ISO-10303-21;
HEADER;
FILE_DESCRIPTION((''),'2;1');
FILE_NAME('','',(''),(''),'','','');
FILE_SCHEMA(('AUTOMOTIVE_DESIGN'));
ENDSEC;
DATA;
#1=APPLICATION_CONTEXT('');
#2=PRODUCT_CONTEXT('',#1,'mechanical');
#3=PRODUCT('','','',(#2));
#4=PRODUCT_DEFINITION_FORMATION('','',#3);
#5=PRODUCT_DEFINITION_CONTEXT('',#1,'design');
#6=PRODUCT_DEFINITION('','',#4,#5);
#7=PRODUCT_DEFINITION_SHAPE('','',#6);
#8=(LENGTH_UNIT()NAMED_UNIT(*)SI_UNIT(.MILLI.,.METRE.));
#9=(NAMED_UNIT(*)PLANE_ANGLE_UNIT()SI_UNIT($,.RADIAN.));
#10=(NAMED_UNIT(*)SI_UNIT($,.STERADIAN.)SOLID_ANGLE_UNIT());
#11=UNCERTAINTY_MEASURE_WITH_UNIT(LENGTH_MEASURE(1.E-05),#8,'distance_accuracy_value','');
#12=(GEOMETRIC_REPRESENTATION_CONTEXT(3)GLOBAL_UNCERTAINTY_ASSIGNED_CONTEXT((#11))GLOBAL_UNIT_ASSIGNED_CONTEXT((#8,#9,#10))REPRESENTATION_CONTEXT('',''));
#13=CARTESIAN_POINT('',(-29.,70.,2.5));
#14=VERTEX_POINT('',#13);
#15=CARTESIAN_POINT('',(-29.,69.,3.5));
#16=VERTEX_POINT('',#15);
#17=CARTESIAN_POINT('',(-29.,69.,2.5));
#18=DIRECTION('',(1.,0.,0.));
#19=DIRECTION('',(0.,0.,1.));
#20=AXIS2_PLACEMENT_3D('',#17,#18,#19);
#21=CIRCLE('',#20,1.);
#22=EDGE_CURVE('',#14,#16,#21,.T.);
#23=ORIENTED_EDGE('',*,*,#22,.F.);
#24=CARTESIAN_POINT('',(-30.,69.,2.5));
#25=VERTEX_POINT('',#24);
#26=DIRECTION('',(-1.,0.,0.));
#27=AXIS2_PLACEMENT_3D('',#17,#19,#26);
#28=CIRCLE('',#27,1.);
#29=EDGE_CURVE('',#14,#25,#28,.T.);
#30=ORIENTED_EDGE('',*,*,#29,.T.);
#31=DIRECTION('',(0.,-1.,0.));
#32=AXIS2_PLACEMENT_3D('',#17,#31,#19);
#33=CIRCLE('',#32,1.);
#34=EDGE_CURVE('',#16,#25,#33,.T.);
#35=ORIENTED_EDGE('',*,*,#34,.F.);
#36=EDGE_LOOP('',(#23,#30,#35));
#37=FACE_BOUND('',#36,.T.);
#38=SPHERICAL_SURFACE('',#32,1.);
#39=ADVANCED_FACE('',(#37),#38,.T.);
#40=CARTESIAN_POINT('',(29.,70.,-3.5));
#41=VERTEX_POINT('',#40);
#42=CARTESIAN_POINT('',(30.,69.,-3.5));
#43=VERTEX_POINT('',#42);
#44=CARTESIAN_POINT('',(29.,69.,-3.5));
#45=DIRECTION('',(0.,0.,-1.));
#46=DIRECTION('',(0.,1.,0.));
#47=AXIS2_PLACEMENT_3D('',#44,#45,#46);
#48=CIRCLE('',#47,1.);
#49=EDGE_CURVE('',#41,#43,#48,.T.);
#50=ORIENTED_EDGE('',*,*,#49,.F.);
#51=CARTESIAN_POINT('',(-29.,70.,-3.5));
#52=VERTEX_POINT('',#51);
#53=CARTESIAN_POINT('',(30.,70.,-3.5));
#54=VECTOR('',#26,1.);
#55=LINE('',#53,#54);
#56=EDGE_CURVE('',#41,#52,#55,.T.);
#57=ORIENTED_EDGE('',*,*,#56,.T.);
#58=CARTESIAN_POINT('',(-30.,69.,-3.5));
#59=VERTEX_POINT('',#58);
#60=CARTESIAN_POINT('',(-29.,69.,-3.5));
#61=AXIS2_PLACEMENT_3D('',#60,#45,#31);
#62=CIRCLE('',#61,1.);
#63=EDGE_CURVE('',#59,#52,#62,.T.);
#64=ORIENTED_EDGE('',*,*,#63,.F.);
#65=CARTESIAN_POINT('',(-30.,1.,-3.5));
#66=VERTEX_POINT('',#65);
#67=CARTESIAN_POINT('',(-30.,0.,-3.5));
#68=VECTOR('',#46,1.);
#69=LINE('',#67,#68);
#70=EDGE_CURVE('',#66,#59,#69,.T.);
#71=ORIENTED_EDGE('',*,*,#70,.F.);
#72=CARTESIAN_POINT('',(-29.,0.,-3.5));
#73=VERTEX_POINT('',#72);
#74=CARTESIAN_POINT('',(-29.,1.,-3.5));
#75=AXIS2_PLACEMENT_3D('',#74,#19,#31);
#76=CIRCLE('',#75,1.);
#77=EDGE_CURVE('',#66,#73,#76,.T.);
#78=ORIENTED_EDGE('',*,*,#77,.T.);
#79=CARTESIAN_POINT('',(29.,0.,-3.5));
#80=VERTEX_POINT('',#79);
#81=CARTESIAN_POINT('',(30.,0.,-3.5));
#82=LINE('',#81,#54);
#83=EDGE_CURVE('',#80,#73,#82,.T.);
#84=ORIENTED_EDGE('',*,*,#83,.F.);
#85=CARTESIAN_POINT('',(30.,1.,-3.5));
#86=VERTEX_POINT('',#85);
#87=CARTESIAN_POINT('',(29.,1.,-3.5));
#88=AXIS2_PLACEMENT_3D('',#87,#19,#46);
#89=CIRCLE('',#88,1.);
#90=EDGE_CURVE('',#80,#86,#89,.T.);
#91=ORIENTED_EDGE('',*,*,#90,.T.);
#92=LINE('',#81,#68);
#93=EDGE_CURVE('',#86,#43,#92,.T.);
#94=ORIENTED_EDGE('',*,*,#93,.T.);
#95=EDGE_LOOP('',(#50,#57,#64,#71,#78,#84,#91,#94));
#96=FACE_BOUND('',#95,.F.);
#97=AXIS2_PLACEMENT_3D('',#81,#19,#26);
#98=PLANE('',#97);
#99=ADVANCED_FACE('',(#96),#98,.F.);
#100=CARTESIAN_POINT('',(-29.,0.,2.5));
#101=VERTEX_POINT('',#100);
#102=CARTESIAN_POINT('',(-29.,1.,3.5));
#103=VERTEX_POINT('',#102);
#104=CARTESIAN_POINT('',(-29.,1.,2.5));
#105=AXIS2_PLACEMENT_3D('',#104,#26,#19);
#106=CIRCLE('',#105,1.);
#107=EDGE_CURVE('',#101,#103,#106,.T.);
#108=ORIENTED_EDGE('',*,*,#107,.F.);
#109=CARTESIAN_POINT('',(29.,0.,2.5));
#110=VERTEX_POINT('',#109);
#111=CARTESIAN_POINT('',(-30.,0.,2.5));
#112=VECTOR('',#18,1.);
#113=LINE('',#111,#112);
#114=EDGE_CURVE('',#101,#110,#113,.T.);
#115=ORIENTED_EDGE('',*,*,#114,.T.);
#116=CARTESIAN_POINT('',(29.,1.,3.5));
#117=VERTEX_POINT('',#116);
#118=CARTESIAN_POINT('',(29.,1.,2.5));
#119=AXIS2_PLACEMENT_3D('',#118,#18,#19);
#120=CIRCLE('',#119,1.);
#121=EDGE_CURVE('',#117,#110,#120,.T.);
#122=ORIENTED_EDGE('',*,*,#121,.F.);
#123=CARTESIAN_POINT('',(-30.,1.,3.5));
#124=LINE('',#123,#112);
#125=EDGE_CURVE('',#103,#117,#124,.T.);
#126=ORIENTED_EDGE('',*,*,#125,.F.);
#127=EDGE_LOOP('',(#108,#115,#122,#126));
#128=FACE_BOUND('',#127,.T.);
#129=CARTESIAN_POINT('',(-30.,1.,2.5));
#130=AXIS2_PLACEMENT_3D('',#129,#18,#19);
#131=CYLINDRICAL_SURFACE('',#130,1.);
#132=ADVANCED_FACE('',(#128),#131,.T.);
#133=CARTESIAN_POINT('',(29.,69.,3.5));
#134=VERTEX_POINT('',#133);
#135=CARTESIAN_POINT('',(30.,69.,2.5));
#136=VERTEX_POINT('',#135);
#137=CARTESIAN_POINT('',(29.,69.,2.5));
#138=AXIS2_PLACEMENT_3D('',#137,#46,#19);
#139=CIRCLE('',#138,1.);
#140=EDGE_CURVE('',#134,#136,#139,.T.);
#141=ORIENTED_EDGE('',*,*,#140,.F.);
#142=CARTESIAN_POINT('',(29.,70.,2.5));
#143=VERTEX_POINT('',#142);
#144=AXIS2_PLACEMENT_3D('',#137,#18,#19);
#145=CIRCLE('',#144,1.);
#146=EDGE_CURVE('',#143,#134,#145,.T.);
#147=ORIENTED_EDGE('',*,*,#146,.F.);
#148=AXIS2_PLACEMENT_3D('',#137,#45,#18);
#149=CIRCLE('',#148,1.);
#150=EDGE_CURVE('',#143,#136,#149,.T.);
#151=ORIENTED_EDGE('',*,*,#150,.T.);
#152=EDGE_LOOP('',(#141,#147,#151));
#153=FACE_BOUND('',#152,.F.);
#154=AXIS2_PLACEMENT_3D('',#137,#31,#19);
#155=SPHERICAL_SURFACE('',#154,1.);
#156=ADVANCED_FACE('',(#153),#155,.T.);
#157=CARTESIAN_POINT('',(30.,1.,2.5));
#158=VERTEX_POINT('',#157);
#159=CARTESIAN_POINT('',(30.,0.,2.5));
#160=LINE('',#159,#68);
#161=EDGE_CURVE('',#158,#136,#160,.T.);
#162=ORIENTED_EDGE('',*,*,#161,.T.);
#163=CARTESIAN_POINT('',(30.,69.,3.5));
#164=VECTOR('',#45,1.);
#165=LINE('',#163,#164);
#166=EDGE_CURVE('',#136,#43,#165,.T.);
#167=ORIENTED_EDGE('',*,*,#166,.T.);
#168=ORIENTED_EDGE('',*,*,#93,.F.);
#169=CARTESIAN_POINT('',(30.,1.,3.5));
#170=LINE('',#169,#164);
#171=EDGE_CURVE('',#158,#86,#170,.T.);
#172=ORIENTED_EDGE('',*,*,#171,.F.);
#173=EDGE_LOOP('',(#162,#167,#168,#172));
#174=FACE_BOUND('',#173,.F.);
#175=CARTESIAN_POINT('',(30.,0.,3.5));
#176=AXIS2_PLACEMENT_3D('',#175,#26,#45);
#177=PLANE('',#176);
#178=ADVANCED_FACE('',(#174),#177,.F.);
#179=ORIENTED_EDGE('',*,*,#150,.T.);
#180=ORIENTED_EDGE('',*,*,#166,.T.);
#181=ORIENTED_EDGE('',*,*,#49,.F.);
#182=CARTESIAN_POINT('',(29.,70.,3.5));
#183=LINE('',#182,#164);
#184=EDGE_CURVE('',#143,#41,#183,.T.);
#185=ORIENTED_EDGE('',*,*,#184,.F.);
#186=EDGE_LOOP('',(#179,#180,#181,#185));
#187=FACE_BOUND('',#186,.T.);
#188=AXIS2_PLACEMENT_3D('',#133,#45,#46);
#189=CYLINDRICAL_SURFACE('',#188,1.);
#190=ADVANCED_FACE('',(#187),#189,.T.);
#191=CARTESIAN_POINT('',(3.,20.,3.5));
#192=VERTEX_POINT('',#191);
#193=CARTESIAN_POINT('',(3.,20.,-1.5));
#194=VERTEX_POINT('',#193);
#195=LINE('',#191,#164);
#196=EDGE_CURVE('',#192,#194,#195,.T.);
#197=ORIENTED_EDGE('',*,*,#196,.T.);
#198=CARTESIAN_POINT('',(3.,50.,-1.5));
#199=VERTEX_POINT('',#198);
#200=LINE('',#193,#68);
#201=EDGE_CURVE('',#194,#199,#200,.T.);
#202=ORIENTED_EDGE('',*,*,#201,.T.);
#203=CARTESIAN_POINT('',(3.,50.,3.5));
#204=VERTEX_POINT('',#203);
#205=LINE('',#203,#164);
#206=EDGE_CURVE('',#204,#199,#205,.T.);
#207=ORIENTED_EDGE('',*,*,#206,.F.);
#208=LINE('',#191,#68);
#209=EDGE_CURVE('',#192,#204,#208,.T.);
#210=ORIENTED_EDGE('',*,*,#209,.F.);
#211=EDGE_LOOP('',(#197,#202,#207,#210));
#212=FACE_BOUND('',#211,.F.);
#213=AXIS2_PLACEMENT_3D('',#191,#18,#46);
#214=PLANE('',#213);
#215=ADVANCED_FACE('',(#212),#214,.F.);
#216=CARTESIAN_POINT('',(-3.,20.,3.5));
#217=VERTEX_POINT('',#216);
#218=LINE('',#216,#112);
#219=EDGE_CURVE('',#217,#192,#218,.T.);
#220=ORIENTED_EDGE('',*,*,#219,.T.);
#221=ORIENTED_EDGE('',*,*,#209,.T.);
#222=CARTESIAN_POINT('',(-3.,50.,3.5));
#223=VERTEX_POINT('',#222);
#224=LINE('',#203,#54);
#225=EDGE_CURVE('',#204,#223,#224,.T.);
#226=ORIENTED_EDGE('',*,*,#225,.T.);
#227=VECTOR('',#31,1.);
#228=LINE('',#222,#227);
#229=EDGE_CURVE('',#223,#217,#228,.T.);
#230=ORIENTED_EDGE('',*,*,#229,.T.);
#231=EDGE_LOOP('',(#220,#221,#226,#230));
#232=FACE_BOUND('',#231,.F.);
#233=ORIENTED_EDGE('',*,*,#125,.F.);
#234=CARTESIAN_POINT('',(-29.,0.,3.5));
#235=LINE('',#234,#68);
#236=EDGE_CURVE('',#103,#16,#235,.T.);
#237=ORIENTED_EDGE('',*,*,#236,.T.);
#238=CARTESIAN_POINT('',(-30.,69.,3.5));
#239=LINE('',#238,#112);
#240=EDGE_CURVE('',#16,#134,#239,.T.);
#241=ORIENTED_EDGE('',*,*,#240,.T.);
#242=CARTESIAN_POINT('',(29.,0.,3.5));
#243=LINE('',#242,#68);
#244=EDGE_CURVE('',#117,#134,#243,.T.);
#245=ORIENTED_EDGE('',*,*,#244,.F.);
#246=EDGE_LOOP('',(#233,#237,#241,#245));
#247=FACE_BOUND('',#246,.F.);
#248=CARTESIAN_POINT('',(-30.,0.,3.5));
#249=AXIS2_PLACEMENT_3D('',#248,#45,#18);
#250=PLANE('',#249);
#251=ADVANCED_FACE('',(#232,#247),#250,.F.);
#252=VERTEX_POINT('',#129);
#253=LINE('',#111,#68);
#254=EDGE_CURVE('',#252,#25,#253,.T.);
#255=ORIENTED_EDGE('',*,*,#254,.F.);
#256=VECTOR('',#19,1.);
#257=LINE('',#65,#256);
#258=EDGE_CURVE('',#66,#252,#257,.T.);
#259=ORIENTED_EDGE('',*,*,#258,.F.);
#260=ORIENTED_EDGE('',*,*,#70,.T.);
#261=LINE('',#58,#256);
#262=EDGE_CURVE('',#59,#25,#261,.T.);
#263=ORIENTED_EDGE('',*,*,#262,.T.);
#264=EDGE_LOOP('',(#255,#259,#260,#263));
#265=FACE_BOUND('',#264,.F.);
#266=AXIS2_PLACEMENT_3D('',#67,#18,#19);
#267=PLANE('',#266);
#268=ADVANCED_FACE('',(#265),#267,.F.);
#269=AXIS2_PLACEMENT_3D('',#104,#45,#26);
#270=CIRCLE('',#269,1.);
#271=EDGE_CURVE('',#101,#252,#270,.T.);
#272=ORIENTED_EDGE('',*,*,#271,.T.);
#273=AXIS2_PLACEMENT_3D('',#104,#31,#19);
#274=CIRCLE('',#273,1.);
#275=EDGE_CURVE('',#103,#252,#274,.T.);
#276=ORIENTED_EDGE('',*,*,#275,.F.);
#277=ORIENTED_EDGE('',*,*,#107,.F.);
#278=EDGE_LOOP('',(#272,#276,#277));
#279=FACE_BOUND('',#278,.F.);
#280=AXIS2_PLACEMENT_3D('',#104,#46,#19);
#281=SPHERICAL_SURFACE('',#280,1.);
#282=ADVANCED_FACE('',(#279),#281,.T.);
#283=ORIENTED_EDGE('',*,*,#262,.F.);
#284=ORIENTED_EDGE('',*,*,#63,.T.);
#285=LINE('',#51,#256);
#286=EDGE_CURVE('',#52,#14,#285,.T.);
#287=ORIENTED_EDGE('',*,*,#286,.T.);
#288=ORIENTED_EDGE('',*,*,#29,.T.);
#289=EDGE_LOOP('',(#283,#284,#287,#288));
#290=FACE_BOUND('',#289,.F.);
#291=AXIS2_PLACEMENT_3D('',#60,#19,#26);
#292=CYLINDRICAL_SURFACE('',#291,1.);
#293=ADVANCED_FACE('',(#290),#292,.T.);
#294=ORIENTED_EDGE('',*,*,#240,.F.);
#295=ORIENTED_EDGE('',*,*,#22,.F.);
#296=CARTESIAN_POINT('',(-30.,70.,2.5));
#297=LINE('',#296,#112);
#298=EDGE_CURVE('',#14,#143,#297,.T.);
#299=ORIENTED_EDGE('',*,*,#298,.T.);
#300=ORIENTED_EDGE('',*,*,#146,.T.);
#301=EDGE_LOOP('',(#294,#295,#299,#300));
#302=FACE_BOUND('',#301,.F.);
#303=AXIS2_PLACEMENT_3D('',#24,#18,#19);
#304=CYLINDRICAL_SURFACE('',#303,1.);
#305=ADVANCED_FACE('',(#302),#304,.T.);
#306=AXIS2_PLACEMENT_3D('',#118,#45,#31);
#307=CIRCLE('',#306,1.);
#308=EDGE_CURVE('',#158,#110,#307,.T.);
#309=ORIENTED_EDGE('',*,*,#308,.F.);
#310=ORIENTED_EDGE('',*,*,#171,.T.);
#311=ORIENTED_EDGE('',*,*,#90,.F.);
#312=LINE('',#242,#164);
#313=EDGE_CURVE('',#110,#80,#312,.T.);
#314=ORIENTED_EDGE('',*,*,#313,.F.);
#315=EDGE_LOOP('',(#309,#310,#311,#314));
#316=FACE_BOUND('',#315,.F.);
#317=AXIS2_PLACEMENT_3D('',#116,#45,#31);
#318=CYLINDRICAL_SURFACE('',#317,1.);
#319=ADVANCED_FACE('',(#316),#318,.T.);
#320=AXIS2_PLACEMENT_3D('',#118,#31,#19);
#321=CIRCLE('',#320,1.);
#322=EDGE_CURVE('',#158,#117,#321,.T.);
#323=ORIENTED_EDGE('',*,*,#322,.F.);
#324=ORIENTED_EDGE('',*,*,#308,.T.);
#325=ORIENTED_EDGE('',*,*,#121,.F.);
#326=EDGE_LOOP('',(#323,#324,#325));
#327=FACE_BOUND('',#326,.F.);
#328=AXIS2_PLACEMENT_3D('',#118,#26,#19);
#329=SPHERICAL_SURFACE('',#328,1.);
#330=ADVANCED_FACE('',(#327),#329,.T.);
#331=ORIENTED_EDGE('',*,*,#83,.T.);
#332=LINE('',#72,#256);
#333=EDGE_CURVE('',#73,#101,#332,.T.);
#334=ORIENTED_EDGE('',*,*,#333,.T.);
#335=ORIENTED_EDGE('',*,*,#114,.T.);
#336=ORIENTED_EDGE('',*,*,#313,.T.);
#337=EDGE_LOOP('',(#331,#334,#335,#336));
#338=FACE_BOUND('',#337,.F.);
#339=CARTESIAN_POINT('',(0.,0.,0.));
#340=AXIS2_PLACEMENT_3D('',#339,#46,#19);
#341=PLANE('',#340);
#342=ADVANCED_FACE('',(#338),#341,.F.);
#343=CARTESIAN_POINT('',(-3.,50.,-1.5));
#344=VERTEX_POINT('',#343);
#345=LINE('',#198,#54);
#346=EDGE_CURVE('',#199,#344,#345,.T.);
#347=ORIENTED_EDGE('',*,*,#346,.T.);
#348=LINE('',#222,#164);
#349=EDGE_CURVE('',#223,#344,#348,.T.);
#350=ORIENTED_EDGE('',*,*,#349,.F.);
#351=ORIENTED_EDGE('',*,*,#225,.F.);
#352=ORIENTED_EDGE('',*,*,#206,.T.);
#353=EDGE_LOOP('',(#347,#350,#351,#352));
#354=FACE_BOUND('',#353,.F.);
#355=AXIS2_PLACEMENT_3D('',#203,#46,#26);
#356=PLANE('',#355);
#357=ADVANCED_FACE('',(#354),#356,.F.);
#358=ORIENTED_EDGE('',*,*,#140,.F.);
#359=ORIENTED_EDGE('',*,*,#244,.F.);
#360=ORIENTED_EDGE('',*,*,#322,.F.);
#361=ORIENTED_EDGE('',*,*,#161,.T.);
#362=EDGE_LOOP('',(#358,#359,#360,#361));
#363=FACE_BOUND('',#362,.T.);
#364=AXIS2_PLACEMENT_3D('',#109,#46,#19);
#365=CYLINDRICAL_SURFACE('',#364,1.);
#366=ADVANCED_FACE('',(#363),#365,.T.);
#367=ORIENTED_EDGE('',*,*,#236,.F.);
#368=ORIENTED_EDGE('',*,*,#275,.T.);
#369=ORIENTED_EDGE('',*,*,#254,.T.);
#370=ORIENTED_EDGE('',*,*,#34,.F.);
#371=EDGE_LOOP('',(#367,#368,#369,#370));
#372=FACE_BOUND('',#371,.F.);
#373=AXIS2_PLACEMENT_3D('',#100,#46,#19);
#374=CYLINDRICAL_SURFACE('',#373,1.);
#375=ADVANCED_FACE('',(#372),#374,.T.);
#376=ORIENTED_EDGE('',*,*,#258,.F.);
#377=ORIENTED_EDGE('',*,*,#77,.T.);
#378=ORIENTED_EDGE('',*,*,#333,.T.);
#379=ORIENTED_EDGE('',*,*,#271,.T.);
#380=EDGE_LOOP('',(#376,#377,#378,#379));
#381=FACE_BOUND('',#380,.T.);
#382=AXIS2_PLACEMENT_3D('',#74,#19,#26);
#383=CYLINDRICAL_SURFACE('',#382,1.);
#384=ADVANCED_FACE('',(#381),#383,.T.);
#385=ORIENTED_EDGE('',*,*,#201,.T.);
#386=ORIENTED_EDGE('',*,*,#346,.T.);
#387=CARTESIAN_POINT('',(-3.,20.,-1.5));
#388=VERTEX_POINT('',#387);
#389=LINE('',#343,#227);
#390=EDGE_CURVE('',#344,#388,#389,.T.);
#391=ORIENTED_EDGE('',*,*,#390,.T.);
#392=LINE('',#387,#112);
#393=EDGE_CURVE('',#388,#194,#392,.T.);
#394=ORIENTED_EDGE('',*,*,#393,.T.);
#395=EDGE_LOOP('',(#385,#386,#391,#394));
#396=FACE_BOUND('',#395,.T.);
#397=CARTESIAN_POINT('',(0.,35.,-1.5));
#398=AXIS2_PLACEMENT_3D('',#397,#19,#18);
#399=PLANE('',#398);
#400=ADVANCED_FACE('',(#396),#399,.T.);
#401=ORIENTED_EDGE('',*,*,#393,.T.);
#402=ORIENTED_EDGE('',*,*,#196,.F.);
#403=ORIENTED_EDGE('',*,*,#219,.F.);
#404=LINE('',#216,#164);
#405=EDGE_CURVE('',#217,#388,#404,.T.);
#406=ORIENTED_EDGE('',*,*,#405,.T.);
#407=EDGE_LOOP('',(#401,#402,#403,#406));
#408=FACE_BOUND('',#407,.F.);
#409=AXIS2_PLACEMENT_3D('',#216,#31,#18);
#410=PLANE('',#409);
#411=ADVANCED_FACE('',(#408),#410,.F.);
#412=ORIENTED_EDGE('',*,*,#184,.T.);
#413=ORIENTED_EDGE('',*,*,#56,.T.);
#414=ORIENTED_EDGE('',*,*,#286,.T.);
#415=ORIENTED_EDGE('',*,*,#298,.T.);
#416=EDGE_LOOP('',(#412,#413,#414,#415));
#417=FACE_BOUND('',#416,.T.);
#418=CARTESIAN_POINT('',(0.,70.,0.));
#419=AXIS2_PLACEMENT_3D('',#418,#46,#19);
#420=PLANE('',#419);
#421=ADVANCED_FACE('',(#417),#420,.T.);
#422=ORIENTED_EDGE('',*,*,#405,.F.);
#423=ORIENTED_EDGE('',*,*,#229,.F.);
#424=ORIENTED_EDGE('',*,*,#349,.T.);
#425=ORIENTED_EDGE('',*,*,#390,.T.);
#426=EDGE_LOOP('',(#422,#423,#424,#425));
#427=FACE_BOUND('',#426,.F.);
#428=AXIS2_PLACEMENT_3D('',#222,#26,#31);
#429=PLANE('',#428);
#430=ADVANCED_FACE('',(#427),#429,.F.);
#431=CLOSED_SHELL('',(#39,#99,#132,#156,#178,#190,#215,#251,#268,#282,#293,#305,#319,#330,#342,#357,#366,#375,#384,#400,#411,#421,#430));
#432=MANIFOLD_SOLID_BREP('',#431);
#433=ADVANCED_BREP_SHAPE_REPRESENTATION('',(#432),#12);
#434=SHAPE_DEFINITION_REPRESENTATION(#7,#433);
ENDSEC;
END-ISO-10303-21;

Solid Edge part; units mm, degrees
sketch "Sketch1" plane through (0, 0, 0) normal (0, -1, 0) x (1, 0, 0)
  line L0 (-30, 3.5) -> (30, 3.5)
  line L1 (30, 3.5) -> (30, -3.5)
  line L2 (30, -3.5) -> (-30, -3.5)
  line L3 (-30, -3.5) -> (-30, 3.5)
  dimension "D1" = 60
  dimension "D2" = 7
extrude "Protrusion1" add sketch "Sketch1" against normal blind 70
sketch "Sketch2" plane through (0, 35, 3.5) normal (0, 0, 1) x (0, 1, 0)
  line L0 (15, 3) -> (-15, 3)
  line L1 (-15, 3) -> (-15, -3)
  line L2 (-15, -3) -> (15, -3)
  line L3 (15, -3) -> (15, 3)
  dimension "D1" = 30
  dimension "D2" = 6
  dimension "D3" = 20
extrude "Utskärning_för_vertikal_pelare" cut sketch "Sketch2" against normal blind 5
fillet "Avrundningar_1" radius 1 8 edges at (-30, 35, 3.5) (0, 0, 3.5) (30, 35, 3.5) (0, 70, 3.5) (30, 70, 0) (30, 0, 0) (-30, 70, 0) (-30, 0, 0)
